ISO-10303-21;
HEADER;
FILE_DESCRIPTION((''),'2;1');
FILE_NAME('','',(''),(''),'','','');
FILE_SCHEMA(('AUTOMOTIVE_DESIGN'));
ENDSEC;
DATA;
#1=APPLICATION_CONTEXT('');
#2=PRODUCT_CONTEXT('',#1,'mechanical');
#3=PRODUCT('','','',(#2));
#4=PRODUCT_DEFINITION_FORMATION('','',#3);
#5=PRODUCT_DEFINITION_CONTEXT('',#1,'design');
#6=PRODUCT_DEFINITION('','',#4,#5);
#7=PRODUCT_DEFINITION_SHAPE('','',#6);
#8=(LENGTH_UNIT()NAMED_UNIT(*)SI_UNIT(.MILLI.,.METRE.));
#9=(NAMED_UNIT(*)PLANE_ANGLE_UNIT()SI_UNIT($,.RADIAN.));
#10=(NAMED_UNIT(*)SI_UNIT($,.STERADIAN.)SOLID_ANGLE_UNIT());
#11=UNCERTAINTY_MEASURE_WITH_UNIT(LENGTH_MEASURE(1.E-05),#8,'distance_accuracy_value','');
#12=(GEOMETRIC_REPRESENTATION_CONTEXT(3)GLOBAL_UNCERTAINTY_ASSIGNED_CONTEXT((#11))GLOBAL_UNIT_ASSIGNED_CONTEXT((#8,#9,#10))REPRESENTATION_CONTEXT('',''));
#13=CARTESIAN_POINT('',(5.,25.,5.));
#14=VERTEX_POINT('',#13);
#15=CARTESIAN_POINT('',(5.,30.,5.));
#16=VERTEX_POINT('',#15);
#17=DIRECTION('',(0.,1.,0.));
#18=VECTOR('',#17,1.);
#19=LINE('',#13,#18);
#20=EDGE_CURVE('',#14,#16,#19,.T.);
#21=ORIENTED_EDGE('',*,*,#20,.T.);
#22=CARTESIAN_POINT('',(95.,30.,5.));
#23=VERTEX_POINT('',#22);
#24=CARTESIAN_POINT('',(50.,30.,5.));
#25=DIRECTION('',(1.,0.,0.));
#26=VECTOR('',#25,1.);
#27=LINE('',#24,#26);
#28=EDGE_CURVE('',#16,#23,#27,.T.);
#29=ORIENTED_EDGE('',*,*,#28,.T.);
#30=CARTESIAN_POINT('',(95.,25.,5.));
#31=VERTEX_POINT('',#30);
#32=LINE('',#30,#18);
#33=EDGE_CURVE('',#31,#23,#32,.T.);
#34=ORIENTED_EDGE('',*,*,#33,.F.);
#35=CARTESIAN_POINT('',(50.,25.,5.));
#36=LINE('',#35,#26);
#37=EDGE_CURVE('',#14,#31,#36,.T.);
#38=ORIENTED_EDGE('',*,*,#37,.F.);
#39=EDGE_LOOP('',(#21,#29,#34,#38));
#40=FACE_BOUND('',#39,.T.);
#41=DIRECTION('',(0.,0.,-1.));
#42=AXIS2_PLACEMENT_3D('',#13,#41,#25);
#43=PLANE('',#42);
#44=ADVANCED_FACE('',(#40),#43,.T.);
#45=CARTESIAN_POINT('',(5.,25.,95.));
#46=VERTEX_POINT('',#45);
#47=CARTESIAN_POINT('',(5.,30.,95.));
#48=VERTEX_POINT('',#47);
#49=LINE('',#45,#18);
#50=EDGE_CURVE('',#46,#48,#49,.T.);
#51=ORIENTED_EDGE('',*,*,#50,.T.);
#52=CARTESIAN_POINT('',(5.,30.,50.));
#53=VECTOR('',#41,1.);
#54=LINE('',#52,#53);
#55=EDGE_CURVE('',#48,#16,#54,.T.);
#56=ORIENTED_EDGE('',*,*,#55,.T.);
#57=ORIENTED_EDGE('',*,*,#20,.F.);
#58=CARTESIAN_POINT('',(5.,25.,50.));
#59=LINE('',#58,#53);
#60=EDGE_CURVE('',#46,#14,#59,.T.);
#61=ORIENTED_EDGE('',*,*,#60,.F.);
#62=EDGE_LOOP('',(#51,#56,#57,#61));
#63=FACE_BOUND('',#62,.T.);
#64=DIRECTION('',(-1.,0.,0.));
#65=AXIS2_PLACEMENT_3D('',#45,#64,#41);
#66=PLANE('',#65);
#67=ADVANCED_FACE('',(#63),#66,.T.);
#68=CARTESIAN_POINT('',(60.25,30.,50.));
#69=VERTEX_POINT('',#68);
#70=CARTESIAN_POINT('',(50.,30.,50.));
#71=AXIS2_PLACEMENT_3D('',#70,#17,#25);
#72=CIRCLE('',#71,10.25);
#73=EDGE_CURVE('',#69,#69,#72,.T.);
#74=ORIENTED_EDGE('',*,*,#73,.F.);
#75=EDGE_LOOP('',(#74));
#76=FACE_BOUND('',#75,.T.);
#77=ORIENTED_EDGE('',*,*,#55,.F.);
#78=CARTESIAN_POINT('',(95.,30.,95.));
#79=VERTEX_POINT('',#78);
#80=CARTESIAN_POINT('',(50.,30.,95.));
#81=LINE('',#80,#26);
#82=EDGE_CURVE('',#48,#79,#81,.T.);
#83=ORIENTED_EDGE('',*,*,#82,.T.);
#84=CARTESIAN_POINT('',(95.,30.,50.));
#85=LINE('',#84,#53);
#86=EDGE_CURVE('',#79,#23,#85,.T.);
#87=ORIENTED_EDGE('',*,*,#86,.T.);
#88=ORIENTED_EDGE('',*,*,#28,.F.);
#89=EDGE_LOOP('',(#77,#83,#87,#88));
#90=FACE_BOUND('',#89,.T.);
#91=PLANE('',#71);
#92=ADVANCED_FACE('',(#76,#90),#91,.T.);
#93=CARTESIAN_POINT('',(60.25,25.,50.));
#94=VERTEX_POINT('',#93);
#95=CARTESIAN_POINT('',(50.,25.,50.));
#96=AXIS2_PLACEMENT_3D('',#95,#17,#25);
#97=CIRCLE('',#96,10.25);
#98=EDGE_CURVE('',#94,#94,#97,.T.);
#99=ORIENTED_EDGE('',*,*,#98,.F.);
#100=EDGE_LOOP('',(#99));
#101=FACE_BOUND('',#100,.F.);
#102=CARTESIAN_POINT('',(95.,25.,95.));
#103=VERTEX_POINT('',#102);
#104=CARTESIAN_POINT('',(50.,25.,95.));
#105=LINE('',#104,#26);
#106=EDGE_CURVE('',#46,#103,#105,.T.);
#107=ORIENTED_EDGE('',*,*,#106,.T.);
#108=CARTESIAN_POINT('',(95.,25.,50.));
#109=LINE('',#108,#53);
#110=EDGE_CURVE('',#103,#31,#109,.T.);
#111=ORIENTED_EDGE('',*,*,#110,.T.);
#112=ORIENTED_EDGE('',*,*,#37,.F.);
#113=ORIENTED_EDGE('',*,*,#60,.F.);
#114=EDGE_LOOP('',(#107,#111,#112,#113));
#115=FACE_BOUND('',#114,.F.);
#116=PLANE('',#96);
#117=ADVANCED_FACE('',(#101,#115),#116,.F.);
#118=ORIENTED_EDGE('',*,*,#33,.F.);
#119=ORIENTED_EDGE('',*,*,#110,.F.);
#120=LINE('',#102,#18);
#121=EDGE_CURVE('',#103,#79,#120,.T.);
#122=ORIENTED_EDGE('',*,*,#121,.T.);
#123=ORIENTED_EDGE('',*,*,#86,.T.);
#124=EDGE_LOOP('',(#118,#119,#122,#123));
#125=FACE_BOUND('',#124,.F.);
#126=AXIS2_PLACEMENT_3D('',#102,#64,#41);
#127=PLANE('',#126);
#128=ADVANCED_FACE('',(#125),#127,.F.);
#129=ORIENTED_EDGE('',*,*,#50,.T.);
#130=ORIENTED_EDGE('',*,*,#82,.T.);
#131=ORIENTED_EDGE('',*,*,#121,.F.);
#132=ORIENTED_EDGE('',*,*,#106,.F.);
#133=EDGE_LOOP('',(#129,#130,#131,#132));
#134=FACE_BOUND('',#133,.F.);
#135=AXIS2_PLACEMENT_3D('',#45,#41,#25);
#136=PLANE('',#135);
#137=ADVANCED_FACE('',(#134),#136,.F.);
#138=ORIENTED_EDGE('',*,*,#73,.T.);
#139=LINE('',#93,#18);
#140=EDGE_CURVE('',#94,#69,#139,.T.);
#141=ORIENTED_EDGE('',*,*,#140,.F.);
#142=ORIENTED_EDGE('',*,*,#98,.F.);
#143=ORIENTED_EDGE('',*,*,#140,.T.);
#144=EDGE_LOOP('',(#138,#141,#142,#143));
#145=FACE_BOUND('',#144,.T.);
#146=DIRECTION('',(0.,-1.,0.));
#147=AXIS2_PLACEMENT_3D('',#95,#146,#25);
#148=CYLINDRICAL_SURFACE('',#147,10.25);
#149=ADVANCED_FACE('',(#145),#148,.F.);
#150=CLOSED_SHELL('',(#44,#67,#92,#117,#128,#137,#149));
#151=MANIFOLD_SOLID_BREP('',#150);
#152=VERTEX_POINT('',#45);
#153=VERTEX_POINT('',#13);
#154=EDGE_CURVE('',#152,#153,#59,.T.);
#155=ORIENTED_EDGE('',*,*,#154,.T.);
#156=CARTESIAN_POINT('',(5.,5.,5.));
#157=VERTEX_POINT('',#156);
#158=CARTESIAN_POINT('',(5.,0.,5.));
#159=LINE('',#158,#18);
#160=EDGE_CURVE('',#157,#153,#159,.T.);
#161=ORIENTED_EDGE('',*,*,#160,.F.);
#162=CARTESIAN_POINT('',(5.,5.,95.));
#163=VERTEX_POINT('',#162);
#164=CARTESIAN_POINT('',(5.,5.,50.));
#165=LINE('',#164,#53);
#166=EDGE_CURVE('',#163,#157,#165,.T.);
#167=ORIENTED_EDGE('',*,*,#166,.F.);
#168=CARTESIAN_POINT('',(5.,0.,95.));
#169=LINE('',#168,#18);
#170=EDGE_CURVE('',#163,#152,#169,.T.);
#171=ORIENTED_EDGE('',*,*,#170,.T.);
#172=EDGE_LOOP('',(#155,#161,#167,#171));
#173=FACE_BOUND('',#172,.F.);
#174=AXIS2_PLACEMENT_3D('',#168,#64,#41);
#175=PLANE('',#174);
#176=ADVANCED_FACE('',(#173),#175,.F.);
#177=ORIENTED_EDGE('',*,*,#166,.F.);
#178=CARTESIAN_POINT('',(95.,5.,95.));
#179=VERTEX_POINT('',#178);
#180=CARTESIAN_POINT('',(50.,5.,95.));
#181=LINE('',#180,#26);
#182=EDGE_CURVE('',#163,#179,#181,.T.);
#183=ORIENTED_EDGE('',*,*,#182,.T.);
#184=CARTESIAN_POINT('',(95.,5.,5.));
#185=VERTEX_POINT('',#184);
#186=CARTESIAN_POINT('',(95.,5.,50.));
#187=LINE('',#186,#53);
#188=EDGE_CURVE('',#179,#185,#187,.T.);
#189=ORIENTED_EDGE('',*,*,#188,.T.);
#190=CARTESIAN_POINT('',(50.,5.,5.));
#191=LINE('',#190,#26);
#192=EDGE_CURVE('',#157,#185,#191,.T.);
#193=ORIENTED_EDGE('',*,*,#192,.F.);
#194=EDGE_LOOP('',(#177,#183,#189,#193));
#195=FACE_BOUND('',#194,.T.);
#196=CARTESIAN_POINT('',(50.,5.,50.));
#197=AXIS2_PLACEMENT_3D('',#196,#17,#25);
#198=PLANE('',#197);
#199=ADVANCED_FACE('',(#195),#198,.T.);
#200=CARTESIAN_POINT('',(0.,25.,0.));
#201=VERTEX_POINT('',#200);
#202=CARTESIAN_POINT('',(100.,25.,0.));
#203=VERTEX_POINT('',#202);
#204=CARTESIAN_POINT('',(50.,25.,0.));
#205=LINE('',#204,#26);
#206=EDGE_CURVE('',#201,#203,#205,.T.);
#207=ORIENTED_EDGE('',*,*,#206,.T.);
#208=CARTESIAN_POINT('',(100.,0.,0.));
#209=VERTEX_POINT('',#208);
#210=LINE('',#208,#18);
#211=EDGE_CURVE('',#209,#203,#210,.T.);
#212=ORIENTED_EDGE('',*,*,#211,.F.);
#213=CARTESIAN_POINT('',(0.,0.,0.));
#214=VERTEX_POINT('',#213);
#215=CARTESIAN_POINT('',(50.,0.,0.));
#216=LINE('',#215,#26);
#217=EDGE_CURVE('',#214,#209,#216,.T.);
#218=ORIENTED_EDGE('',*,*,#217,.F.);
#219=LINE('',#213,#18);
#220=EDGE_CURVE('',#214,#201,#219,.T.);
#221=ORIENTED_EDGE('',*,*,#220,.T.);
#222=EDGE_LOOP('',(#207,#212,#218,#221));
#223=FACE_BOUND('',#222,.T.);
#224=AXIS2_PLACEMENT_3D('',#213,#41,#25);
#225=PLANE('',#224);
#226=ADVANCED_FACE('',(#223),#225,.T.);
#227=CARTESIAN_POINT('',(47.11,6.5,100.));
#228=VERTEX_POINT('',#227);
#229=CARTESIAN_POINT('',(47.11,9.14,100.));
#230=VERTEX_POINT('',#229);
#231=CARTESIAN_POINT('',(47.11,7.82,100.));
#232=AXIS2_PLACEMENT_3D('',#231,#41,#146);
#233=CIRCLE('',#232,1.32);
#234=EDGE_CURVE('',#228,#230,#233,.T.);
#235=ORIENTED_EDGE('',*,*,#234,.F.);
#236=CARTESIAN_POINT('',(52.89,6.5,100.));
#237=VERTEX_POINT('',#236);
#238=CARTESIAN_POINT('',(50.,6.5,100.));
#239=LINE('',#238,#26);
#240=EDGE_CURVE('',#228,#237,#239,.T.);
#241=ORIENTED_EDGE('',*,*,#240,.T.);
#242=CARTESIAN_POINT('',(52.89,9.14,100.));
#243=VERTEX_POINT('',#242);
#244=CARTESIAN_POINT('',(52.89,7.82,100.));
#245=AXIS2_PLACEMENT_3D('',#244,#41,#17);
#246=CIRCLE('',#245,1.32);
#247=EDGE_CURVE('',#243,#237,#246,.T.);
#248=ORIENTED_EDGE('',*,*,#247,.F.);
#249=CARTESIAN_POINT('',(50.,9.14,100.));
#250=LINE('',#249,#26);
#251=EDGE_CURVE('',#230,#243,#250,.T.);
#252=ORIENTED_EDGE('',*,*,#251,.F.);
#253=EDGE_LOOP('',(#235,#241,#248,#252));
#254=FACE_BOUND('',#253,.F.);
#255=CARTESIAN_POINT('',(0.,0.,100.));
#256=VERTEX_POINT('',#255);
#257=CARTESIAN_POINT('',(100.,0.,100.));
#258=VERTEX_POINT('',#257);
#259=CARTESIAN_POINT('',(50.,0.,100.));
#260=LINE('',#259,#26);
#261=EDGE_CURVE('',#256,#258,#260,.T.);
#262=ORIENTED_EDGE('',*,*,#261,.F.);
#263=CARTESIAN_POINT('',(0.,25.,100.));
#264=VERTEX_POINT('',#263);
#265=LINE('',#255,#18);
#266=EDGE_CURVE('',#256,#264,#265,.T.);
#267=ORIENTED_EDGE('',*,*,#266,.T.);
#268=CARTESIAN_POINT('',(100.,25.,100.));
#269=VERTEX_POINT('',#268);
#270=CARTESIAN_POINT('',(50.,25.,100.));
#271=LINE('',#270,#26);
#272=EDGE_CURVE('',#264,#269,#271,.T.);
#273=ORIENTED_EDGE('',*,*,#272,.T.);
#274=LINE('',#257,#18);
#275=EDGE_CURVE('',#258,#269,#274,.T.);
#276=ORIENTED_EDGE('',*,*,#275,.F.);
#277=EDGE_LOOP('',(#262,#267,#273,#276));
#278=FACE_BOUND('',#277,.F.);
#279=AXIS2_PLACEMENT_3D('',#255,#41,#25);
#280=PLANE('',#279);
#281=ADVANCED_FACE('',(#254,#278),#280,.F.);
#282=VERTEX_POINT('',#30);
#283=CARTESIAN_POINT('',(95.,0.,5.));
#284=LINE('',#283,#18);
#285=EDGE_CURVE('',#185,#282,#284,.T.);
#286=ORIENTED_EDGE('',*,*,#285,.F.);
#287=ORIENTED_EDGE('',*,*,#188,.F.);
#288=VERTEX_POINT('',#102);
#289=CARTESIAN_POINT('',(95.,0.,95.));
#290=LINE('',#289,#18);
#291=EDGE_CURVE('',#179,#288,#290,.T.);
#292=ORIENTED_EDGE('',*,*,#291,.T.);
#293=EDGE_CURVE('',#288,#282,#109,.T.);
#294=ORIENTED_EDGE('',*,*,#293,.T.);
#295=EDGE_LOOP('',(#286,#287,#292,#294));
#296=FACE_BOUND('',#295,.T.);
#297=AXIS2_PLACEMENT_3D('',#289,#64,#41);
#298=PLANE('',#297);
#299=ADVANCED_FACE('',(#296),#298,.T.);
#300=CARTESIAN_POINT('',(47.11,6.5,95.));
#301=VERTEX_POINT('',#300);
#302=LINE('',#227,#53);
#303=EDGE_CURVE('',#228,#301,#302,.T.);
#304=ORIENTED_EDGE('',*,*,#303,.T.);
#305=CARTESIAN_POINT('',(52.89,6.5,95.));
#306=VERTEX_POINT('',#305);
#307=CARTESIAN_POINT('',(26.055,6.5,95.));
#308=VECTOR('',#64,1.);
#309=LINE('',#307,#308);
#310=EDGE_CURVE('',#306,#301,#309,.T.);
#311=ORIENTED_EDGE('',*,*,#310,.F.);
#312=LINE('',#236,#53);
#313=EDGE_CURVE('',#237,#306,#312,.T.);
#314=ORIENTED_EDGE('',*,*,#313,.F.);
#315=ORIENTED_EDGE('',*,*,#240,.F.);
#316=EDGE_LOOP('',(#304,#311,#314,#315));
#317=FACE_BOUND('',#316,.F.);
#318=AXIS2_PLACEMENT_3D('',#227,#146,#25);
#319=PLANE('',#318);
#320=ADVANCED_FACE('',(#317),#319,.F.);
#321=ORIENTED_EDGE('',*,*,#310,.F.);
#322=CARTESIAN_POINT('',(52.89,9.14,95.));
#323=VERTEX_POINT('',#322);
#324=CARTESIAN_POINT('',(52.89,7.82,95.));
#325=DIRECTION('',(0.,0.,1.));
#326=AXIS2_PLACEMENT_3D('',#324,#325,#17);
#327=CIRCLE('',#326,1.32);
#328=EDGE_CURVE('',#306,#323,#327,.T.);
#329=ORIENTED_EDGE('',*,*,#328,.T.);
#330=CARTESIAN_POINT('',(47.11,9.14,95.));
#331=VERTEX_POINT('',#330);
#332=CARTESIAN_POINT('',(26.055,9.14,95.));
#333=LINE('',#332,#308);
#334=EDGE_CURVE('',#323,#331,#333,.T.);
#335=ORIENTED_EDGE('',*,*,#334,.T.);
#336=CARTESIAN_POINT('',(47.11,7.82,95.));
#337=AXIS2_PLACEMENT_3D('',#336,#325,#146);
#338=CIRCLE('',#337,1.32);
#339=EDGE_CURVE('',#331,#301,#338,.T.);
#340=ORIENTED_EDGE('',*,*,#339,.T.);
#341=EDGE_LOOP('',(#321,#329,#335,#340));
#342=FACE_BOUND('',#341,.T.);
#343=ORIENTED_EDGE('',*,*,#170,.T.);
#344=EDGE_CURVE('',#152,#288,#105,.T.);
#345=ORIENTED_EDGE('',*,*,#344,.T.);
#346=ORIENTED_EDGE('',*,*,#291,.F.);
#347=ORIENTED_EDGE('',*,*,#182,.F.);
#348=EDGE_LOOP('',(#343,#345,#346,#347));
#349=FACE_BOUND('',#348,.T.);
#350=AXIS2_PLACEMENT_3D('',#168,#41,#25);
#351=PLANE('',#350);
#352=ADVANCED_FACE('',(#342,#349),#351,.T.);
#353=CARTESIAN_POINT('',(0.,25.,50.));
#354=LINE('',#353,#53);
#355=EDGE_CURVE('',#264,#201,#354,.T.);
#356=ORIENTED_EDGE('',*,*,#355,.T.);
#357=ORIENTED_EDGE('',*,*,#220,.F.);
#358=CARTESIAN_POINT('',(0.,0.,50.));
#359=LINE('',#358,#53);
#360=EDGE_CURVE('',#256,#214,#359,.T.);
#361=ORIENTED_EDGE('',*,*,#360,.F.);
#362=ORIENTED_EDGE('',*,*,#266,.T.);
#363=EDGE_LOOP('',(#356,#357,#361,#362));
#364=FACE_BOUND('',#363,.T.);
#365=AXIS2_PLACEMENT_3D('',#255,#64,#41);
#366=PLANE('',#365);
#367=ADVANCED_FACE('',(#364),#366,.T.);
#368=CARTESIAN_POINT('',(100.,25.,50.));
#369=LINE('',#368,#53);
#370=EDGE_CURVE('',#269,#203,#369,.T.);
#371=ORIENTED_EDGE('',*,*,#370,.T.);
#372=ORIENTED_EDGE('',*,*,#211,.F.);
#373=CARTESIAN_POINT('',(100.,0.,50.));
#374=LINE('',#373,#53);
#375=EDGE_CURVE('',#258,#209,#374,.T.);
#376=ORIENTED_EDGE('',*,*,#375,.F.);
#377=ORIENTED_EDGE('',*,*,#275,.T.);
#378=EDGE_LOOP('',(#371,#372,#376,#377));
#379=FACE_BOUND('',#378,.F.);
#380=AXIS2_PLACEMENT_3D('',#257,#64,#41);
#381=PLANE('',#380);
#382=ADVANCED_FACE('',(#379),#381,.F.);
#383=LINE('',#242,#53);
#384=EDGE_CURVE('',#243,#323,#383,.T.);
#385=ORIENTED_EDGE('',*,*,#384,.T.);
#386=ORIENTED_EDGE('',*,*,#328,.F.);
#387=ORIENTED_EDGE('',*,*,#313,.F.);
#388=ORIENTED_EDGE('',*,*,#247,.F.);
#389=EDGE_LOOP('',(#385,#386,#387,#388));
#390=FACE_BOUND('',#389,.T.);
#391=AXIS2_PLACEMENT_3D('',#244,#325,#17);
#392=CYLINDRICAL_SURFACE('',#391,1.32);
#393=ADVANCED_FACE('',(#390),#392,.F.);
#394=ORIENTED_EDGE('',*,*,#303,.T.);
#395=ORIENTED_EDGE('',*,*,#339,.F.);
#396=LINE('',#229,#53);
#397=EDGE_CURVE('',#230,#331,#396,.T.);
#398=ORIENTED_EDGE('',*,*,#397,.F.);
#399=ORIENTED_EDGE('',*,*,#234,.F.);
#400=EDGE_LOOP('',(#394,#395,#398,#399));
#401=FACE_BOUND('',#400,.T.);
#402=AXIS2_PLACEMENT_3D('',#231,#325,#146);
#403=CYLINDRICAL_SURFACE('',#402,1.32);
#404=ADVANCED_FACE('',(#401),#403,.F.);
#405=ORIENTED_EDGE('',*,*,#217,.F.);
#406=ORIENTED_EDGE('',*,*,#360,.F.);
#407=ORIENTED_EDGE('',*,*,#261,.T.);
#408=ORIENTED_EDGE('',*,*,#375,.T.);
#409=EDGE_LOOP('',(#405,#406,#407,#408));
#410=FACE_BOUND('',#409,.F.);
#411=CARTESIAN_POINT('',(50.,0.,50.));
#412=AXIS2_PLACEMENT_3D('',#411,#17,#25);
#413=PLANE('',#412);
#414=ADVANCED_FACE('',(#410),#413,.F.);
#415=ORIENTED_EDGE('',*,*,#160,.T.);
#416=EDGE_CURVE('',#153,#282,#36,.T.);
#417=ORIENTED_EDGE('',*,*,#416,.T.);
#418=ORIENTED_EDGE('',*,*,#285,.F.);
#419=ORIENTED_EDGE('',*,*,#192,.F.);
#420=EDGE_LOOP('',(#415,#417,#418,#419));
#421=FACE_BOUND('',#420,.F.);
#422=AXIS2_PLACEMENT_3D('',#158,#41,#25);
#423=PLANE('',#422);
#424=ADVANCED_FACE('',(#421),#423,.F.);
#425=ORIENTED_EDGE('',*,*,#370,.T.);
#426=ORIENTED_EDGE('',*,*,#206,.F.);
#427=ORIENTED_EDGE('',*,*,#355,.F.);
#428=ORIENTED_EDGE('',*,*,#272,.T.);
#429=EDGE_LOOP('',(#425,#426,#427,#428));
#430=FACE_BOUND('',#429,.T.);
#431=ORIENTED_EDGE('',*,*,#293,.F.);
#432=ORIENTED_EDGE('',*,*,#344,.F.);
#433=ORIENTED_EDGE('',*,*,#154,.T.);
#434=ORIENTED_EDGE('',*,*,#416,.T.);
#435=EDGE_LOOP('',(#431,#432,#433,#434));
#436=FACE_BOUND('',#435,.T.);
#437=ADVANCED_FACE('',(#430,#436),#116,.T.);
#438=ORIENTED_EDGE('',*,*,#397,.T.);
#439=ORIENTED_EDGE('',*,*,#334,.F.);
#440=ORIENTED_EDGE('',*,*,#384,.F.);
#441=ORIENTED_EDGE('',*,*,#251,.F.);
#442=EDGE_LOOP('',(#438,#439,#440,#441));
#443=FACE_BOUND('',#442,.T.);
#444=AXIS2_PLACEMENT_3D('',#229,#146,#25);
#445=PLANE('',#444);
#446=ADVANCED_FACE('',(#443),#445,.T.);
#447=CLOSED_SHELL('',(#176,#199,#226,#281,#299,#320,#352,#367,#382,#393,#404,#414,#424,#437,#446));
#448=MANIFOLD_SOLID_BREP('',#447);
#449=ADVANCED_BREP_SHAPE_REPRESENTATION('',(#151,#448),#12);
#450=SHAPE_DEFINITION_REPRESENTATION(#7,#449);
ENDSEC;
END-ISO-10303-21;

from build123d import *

# Parameters (mm, degrees)
SKETCH1_W           = 100
SKETCH1_H           = 100
SKETCH1_W_2         = 90
SKETCH1_H_2         = 90
BOSS_EXTRUDE2_DEPTH = 25
SKETCH1_3_W         = 90
SKETCH1_3_H         = 90
BOSS_EXTRUDE3_DEPTH = 5
SKETCH3_W           = 90
SKETCH3_H           = 90
SKETCH3_R           = 10.25
BOSS_EXTRUDE7_DEPTH = 5
CUT_EXTRUDE1_DEPTH  = 10


with BuildPart() as part:
    # Sketch1 → Boss-Extrude2 (new body)
    with BuildSketch(Plane(origin=(0, 0, 0), x_dir=(1, 0, 0), z_dir=(0, 1, 0))):
        with Locations((50, -50)):
            Rectangle(SKETCH1_W, SKETCH1_H)
        with Locations((50, -50)):
            Rectangle(SKETCH1_W_2, SKETCH1_H_2, mode=Mode.SUBTRACT)
    extrude(amount=BOSS_EXTRUDE2_DEPTH)

    # Sketch1<3> → Boss-Extrude3 (add)
    with BuildSketch(Plane(origin=(0, 0, 0), x_dir=(1, 0, 0), z_dir=(0, 1, 0))):
        with Locations((50, -50)):
            Rectangle(SKETCH1_3_W, SKETCH1_3_H)
    extrude(amount=BOSS_EXTRUDE3_DEPTH)

    # Sketch5 → Cut-Extrude1 (cut)
    with BuildSketch(Plane.XY.offset(100)):
        with BuildLine():
            Line((52.89, 9.14), (47.11, 9.14))
            ThreePointArc((47.11, 9.14), (45.79, 7.82), (47.11, 6.5))
            Line((47.11, 6.5), (52.89, 6.5))
            ThreePointArc((52.89, 6.5), (54.21, 7.82), (52.89, 9.14))
        make_face()
    extrude(amount=-CUT_EXTRUDE1_DEPTH, mode=Mode.SUBTRACT)


with BuildPart() as body_2:
    # Sketch3 → Boss-Extrude7 (new body)
    with BuildSketch(Plane(origin=(0, 25, 0), x_dir=(1, 0, 0), z_dir=(0, 1, 0))):
        with Locations((50, -50)):
            Rectangle(SKETCH3_W, SKETCH3_H)
        with Locations((50, -50)):
            Circle(SKETCH3_R, mode=Mode.SUBTRACT)
    extrude(amount=BOSS_EXTRUDE7_DEPTH)


solid = Compound([part.part, body_2.part])
